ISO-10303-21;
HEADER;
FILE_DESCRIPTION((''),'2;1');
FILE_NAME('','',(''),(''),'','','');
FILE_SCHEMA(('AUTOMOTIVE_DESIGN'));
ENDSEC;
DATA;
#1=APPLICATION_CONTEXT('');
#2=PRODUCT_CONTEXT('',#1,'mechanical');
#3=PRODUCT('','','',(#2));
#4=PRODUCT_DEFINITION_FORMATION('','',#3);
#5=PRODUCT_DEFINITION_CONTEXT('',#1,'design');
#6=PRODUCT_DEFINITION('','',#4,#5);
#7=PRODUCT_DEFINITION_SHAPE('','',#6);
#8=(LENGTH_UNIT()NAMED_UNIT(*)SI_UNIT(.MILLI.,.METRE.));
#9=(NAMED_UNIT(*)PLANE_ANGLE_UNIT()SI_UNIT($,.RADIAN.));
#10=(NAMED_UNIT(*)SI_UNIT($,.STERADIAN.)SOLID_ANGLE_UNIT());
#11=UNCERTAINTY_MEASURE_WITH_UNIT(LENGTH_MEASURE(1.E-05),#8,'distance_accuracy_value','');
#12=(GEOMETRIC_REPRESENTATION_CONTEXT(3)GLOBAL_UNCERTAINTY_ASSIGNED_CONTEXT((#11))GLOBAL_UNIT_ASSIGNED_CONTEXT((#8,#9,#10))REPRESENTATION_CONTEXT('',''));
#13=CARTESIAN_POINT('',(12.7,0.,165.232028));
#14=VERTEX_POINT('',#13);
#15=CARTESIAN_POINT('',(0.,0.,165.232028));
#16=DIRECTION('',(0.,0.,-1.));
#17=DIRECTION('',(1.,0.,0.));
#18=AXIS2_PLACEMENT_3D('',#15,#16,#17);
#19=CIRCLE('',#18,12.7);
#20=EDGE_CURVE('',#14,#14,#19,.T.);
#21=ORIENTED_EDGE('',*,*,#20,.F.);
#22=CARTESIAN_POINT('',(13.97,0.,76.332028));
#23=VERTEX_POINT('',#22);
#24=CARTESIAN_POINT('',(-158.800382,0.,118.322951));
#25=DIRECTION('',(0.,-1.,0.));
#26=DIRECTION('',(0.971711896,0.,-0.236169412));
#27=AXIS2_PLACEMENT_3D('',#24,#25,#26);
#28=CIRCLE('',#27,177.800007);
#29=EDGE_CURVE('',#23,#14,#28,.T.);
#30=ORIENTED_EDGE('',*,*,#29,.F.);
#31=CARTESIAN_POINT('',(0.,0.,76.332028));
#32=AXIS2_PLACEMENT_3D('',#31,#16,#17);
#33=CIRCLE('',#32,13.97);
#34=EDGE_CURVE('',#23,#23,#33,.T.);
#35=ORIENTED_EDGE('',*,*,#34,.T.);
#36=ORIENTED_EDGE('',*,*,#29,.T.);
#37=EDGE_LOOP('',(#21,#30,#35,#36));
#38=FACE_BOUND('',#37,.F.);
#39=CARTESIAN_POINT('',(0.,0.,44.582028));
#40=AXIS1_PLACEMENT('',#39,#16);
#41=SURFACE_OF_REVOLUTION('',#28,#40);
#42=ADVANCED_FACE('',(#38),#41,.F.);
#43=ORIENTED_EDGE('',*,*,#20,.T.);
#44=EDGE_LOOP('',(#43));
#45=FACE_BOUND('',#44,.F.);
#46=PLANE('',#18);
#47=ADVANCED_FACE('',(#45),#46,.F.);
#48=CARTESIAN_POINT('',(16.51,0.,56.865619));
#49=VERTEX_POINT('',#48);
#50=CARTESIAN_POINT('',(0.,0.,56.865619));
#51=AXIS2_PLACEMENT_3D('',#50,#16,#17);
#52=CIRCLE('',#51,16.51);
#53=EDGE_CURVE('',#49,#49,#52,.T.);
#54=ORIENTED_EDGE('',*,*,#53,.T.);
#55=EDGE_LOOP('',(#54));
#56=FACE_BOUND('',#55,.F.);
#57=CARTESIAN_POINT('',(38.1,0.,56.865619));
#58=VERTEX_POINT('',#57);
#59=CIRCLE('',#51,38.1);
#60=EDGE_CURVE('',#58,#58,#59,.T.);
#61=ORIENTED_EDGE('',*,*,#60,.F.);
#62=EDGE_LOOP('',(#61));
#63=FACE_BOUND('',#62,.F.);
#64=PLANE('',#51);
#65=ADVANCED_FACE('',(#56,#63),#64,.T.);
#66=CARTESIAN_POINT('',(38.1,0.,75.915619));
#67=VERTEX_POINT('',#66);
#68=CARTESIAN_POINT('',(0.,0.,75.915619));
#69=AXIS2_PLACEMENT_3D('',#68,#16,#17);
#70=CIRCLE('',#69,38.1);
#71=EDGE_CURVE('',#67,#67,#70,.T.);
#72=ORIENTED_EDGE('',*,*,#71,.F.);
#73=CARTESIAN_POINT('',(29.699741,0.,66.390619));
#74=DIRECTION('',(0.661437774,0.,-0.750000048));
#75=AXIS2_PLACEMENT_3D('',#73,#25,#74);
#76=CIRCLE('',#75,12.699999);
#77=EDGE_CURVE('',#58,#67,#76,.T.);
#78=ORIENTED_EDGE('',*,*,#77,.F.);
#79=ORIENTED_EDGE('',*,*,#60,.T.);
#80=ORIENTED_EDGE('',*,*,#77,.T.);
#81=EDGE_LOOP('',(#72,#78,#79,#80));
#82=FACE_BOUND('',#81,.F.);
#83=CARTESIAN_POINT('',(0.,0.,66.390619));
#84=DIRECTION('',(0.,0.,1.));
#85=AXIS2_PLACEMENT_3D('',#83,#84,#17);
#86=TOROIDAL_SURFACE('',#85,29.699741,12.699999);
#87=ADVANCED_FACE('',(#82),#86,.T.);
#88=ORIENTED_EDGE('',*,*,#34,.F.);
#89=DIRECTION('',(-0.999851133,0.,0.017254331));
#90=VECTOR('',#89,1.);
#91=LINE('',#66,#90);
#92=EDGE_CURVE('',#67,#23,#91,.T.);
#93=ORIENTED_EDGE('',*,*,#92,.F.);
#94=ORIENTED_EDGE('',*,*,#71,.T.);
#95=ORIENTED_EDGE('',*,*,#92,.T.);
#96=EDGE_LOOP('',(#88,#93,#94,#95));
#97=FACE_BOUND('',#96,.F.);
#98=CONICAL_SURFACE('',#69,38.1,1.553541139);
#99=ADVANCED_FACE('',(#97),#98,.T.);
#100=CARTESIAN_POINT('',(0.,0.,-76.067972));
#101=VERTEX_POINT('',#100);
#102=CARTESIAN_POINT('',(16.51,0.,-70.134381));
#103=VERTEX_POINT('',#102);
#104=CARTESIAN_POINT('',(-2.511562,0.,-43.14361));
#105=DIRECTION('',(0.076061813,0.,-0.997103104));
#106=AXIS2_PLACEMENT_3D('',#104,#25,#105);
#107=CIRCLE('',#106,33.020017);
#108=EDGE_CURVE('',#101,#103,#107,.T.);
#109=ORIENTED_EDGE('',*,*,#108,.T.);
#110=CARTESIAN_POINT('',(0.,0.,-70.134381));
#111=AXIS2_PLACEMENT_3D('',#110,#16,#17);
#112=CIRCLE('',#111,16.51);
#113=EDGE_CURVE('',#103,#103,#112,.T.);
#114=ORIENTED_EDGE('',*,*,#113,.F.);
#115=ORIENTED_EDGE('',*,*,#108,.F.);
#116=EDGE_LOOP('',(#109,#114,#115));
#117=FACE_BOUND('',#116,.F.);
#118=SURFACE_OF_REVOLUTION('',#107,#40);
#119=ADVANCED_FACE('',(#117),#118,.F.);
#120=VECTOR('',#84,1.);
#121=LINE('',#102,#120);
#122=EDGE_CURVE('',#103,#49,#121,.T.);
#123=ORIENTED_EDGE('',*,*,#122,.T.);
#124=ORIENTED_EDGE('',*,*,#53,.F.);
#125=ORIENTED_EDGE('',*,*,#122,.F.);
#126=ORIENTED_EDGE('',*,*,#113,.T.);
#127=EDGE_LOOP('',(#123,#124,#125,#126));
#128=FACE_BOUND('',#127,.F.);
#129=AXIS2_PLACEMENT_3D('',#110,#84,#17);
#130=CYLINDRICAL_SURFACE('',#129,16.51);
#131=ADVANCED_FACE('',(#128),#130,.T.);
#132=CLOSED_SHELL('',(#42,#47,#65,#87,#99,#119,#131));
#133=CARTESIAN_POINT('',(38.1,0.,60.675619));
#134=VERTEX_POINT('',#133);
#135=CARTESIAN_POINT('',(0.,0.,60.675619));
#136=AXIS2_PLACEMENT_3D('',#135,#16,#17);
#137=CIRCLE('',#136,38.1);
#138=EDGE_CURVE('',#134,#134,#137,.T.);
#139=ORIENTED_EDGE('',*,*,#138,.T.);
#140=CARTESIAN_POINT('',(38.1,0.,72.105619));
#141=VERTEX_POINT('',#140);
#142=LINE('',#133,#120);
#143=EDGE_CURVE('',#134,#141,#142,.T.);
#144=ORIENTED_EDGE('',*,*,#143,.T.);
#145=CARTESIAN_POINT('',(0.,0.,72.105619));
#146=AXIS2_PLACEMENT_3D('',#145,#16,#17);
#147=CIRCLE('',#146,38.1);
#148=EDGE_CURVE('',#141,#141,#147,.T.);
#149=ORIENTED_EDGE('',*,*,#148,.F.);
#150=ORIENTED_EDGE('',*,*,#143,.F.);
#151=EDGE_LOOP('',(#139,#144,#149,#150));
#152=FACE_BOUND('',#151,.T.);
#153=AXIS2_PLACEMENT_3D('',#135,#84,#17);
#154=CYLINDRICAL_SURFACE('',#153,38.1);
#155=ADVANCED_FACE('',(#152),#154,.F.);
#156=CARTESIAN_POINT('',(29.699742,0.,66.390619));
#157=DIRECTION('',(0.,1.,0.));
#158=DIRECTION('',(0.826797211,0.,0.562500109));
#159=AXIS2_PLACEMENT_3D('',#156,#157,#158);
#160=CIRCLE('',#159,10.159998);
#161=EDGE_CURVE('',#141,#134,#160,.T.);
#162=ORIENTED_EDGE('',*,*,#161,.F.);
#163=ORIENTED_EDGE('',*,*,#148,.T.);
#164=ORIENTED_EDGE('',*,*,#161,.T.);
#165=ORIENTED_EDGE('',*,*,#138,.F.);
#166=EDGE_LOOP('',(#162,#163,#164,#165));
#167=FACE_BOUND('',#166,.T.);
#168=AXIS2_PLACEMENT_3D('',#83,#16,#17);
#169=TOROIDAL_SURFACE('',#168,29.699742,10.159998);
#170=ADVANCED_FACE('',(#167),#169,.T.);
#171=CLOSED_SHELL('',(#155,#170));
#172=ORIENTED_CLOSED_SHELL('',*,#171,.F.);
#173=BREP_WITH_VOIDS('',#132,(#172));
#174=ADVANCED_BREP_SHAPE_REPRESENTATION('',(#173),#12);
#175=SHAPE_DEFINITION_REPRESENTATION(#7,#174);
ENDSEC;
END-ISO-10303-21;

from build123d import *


with BuildPart() as f1:
    # F0 (on Front) → F1 (revolve)
    with BuildSketch(Plane.XZ):
        with BuildLine():
            Line((38.1, 60.675619), (38.1, 72.105619))
            ThreePointArc((38.1, 72.105619), (37.60681, 72.770575), (37.061118, 73.393169))
            Line((37.061118, 73.393169), (10.722541, 73.847691))
            ThreePointArc((10.722541, 73.847691), (16.459617, 118.268067), (10.750363, 162.692028))
            Line((10.750363, 162.692028), (0, 162.692028))
            Line((0, 162.692028), (0, 50.030045))
            Line((0, 50.030045), (0, 0))
            Line((0, 0), (0, -73.519974))
            ThreePointArc((0, -73.519974), (7.275874, -72.009465), (13.97, -68.783219))
            Line((13.97, -68.783219), (13.97, 59.405619))
            Line((13.97, 59.405619), (37.077773, 59.405619))
            ThreePointArc((37.077773, 59.405619), (37.614401, 60.020083), (38.1, 60.675619))
        make_face()
        with BuildLine():
            Line((38.1, 75.915619), (13.97, 76.332028))
            ThreePointArc((13.97, 76.332028), (18.981485, 120.862692), (12.7, 165.232028))
            Line((12.7, 165.232028), (0, 165.232028))
            Line((0, 165.232028), (0, 162.692028))
            Line((0, 162.692028), (10.750363, 162.692028))
            ThreePointArc((10.750363, 162.692028), (16.459617, 118.268067), (10.722541, 73.847691))
            Line((10.722541, 73.847691), (37.061118, 73.393169))
            ThreePointArc((37.061118, 73.393169), (37.60681, 72.770575), (38.1, 72.105619))
            Line((38.1, 72.105619), (38.1, 75.915619))
        make_face()
        with BuildLine():
            ThreePointArc((38.1, 56.865619), (42.39974, 66.390619), (38.1, 75.915619))
            Line((38.1, 75.915619), (38.1, 72.105619))
            ThreePointArc((38.1, 72.105619), (39.85974, 66.390619), (38.1, 60.675619))
            Line((38.1, 60.675619), (38.1, 56.865619))
        make_face()
        with BuildLine():
            Line((16.51, 56.865619), (38.1, 56.865619))
            Line((38.1, 56.865619), (38.1, 60.675619))
            ThreePointArc((38.1, 60.675619), (37.614401, 60.020083), (37.077773, 59.405619))
            Line((37.077773, 59.405619), (13.97, 59.405619))
            Line((13.97, 59.405619), (13.97, -68.783219))
            ThreePointArc((13.97, -68.783219), (7.275874, -72.009465), (0, -73.519974))
            Line((0, -73.519974), (0, -76.067972))
            ThreePointArc((0, -76.067972), (8.656282, -74.217728), (16.51, -70.134381))
            Line((16.51, -70.134381), (16.51, 56.865619))
        make_face()
    revolve(axis=Axis((0, 0, 44.582028), (0, 0, -1)))


solid = f1.part
